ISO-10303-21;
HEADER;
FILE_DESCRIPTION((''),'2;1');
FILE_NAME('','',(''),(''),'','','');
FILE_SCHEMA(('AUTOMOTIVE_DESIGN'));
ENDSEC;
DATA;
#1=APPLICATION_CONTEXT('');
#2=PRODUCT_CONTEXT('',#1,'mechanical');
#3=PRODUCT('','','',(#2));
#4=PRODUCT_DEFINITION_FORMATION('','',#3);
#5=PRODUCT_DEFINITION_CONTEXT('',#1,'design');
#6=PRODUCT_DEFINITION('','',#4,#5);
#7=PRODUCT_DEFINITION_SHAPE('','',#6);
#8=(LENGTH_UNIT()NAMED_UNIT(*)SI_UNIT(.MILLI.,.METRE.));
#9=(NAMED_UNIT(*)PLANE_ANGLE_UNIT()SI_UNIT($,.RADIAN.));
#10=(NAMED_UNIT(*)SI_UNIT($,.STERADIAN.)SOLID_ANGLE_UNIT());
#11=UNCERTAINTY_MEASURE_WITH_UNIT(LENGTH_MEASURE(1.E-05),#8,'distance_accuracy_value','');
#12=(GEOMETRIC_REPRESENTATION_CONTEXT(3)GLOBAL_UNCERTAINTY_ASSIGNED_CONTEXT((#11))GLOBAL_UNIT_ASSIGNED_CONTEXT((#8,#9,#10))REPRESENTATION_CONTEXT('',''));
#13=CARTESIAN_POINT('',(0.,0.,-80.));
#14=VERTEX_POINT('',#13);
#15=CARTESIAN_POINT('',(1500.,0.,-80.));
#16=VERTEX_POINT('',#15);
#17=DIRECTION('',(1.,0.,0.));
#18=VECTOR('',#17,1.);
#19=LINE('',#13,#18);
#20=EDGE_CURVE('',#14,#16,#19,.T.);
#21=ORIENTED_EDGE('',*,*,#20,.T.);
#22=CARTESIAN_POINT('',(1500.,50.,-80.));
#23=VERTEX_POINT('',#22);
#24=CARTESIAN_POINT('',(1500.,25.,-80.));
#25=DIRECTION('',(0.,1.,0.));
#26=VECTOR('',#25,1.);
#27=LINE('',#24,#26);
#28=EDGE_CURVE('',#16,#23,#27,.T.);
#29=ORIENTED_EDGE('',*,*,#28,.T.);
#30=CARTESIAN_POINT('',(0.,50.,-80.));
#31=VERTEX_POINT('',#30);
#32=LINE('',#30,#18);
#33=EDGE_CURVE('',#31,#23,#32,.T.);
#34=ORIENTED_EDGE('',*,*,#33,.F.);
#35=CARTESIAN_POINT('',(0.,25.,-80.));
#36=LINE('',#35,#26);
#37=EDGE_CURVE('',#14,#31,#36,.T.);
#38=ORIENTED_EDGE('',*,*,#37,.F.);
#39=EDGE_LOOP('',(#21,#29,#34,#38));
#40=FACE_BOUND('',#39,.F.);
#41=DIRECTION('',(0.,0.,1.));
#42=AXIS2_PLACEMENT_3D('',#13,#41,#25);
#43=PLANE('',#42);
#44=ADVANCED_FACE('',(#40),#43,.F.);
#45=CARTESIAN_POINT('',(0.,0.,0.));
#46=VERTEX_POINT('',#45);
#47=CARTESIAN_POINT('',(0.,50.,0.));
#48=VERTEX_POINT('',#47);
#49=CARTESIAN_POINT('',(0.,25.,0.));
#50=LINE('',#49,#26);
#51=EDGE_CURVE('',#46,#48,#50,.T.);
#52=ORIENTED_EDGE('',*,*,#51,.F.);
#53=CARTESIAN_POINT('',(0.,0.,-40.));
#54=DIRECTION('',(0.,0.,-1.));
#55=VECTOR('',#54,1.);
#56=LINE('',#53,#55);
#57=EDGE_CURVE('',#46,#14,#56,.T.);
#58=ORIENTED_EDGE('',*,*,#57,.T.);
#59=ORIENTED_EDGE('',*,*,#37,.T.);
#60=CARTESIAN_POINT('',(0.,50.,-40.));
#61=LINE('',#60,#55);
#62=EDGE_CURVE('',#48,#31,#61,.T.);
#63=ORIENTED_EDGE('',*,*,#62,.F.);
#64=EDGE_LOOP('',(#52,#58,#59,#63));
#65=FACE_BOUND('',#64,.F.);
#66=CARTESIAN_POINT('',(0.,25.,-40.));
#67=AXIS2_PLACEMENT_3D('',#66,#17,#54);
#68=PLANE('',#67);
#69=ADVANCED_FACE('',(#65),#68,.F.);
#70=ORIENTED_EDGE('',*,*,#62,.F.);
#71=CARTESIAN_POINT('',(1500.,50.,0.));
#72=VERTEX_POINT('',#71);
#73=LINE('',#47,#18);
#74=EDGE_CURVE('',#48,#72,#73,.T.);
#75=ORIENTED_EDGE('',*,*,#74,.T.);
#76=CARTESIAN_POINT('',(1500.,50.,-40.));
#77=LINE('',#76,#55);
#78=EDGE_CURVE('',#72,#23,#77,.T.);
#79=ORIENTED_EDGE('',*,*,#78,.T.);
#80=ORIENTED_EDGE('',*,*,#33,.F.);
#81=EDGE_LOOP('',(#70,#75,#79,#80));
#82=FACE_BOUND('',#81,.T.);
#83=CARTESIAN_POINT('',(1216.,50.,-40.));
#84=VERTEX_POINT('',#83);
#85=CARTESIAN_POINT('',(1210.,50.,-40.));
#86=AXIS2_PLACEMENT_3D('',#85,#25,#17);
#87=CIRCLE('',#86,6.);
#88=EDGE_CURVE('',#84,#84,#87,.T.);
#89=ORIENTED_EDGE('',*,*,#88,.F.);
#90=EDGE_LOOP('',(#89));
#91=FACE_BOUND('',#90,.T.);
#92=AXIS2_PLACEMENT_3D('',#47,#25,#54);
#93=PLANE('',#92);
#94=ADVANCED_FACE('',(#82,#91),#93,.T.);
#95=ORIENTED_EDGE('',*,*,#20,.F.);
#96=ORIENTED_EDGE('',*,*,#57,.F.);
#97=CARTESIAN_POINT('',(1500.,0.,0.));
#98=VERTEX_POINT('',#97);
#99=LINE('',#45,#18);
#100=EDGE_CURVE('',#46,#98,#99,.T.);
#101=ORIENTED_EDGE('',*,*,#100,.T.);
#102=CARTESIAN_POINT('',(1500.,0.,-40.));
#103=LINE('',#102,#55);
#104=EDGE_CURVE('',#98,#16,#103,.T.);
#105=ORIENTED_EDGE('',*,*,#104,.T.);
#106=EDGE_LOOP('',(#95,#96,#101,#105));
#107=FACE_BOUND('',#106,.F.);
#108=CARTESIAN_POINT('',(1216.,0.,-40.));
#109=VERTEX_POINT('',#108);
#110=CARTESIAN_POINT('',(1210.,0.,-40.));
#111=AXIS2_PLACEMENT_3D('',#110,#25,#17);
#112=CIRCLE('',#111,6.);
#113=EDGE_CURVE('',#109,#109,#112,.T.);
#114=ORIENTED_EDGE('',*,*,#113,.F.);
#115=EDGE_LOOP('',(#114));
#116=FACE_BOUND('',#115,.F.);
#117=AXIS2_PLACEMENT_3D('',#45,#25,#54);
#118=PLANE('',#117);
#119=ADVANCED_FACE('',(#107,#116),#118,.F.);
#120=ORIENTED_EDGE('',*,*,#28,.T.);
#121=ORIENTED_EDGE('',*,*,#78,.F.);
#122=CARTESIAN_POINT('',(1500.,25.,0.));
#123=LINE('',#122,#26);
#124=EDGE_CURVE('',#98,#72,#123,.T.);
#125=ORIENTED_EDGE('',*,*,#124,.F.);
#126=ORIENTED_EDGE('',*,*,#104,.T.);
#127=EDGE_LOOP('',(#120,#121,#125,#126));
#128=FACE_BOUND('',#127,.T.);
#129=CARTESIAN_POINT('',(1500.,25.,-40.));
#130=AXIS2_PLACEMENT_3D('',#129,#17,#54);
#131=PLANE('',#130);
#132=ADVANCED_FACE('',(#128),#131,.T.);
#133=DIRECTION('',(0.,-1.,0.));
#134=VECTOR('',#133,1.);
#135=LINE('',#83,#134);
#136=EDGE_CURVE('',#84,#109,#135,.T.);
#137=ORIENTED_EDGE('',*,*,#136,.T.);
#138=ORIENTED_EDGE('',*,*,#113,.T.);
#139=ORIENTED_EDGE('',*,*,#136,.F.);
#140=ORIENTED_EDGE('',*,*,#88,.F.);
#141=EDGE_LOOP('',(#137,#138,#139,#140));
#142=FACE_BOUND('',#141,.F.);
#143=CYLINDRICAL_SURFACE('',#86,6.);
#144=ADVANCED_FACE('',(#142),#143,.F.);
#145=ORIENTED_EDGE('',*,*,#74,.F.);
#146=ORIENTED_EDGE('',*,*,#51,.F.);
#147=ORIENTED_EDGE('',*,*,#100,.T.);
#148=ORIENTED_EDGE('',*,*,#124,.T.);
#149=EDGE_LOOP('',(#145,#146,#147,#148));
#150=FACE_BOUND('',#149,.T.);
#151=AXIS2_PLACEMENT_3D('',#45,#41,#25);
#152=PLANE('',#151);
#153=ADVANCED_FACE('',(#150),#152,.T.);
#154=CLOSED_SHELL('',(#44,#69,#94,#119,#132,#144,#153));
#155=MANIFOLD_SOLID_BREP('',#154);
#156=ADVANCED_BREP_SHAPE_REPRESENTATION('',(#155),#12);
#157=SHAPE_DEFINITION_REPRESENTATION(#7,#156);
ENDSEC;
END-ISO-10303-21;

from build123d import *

# Parameters (mm, degrees)
SKETCH_1_W          = 80
SKETCH_1_H          = 50
EXTRUDE_1_DEPTH     = 1500
SKETCH_2_R          = 6
CUT_EXTRUDE_1_DEPTH = 51


with BuildPart() as part:
    # Эскиз1 → Бобышка-Вытянуть1 (new body)
    with BuildSketch(Plane(origin=(0, 0, 0), x_dir=(0, 0, -1), z_dir=(1, 0, 0))):
        with Locations((40, 25)):
            Rectangle(SKETCH_1_W, SKETCH_1_H)
    extrude(amount=EXTRUDE_1_DEPTH)

    # Эскиз2 → Вырез-Вытянуть1 (cut, through all)
    with BuildSketch(Plane(origin=(0, 50, 0), x_dir=(1, 0, 0), z_dir=(0, 1, 0))):
        with Locations((1210, 40)):
            Circle(SKETCH_2_R)
    extrude(amount=-CUT_EXTRUDE_1_DEPTH, mode=Mode.SUBTRACT)


solid = part.part
